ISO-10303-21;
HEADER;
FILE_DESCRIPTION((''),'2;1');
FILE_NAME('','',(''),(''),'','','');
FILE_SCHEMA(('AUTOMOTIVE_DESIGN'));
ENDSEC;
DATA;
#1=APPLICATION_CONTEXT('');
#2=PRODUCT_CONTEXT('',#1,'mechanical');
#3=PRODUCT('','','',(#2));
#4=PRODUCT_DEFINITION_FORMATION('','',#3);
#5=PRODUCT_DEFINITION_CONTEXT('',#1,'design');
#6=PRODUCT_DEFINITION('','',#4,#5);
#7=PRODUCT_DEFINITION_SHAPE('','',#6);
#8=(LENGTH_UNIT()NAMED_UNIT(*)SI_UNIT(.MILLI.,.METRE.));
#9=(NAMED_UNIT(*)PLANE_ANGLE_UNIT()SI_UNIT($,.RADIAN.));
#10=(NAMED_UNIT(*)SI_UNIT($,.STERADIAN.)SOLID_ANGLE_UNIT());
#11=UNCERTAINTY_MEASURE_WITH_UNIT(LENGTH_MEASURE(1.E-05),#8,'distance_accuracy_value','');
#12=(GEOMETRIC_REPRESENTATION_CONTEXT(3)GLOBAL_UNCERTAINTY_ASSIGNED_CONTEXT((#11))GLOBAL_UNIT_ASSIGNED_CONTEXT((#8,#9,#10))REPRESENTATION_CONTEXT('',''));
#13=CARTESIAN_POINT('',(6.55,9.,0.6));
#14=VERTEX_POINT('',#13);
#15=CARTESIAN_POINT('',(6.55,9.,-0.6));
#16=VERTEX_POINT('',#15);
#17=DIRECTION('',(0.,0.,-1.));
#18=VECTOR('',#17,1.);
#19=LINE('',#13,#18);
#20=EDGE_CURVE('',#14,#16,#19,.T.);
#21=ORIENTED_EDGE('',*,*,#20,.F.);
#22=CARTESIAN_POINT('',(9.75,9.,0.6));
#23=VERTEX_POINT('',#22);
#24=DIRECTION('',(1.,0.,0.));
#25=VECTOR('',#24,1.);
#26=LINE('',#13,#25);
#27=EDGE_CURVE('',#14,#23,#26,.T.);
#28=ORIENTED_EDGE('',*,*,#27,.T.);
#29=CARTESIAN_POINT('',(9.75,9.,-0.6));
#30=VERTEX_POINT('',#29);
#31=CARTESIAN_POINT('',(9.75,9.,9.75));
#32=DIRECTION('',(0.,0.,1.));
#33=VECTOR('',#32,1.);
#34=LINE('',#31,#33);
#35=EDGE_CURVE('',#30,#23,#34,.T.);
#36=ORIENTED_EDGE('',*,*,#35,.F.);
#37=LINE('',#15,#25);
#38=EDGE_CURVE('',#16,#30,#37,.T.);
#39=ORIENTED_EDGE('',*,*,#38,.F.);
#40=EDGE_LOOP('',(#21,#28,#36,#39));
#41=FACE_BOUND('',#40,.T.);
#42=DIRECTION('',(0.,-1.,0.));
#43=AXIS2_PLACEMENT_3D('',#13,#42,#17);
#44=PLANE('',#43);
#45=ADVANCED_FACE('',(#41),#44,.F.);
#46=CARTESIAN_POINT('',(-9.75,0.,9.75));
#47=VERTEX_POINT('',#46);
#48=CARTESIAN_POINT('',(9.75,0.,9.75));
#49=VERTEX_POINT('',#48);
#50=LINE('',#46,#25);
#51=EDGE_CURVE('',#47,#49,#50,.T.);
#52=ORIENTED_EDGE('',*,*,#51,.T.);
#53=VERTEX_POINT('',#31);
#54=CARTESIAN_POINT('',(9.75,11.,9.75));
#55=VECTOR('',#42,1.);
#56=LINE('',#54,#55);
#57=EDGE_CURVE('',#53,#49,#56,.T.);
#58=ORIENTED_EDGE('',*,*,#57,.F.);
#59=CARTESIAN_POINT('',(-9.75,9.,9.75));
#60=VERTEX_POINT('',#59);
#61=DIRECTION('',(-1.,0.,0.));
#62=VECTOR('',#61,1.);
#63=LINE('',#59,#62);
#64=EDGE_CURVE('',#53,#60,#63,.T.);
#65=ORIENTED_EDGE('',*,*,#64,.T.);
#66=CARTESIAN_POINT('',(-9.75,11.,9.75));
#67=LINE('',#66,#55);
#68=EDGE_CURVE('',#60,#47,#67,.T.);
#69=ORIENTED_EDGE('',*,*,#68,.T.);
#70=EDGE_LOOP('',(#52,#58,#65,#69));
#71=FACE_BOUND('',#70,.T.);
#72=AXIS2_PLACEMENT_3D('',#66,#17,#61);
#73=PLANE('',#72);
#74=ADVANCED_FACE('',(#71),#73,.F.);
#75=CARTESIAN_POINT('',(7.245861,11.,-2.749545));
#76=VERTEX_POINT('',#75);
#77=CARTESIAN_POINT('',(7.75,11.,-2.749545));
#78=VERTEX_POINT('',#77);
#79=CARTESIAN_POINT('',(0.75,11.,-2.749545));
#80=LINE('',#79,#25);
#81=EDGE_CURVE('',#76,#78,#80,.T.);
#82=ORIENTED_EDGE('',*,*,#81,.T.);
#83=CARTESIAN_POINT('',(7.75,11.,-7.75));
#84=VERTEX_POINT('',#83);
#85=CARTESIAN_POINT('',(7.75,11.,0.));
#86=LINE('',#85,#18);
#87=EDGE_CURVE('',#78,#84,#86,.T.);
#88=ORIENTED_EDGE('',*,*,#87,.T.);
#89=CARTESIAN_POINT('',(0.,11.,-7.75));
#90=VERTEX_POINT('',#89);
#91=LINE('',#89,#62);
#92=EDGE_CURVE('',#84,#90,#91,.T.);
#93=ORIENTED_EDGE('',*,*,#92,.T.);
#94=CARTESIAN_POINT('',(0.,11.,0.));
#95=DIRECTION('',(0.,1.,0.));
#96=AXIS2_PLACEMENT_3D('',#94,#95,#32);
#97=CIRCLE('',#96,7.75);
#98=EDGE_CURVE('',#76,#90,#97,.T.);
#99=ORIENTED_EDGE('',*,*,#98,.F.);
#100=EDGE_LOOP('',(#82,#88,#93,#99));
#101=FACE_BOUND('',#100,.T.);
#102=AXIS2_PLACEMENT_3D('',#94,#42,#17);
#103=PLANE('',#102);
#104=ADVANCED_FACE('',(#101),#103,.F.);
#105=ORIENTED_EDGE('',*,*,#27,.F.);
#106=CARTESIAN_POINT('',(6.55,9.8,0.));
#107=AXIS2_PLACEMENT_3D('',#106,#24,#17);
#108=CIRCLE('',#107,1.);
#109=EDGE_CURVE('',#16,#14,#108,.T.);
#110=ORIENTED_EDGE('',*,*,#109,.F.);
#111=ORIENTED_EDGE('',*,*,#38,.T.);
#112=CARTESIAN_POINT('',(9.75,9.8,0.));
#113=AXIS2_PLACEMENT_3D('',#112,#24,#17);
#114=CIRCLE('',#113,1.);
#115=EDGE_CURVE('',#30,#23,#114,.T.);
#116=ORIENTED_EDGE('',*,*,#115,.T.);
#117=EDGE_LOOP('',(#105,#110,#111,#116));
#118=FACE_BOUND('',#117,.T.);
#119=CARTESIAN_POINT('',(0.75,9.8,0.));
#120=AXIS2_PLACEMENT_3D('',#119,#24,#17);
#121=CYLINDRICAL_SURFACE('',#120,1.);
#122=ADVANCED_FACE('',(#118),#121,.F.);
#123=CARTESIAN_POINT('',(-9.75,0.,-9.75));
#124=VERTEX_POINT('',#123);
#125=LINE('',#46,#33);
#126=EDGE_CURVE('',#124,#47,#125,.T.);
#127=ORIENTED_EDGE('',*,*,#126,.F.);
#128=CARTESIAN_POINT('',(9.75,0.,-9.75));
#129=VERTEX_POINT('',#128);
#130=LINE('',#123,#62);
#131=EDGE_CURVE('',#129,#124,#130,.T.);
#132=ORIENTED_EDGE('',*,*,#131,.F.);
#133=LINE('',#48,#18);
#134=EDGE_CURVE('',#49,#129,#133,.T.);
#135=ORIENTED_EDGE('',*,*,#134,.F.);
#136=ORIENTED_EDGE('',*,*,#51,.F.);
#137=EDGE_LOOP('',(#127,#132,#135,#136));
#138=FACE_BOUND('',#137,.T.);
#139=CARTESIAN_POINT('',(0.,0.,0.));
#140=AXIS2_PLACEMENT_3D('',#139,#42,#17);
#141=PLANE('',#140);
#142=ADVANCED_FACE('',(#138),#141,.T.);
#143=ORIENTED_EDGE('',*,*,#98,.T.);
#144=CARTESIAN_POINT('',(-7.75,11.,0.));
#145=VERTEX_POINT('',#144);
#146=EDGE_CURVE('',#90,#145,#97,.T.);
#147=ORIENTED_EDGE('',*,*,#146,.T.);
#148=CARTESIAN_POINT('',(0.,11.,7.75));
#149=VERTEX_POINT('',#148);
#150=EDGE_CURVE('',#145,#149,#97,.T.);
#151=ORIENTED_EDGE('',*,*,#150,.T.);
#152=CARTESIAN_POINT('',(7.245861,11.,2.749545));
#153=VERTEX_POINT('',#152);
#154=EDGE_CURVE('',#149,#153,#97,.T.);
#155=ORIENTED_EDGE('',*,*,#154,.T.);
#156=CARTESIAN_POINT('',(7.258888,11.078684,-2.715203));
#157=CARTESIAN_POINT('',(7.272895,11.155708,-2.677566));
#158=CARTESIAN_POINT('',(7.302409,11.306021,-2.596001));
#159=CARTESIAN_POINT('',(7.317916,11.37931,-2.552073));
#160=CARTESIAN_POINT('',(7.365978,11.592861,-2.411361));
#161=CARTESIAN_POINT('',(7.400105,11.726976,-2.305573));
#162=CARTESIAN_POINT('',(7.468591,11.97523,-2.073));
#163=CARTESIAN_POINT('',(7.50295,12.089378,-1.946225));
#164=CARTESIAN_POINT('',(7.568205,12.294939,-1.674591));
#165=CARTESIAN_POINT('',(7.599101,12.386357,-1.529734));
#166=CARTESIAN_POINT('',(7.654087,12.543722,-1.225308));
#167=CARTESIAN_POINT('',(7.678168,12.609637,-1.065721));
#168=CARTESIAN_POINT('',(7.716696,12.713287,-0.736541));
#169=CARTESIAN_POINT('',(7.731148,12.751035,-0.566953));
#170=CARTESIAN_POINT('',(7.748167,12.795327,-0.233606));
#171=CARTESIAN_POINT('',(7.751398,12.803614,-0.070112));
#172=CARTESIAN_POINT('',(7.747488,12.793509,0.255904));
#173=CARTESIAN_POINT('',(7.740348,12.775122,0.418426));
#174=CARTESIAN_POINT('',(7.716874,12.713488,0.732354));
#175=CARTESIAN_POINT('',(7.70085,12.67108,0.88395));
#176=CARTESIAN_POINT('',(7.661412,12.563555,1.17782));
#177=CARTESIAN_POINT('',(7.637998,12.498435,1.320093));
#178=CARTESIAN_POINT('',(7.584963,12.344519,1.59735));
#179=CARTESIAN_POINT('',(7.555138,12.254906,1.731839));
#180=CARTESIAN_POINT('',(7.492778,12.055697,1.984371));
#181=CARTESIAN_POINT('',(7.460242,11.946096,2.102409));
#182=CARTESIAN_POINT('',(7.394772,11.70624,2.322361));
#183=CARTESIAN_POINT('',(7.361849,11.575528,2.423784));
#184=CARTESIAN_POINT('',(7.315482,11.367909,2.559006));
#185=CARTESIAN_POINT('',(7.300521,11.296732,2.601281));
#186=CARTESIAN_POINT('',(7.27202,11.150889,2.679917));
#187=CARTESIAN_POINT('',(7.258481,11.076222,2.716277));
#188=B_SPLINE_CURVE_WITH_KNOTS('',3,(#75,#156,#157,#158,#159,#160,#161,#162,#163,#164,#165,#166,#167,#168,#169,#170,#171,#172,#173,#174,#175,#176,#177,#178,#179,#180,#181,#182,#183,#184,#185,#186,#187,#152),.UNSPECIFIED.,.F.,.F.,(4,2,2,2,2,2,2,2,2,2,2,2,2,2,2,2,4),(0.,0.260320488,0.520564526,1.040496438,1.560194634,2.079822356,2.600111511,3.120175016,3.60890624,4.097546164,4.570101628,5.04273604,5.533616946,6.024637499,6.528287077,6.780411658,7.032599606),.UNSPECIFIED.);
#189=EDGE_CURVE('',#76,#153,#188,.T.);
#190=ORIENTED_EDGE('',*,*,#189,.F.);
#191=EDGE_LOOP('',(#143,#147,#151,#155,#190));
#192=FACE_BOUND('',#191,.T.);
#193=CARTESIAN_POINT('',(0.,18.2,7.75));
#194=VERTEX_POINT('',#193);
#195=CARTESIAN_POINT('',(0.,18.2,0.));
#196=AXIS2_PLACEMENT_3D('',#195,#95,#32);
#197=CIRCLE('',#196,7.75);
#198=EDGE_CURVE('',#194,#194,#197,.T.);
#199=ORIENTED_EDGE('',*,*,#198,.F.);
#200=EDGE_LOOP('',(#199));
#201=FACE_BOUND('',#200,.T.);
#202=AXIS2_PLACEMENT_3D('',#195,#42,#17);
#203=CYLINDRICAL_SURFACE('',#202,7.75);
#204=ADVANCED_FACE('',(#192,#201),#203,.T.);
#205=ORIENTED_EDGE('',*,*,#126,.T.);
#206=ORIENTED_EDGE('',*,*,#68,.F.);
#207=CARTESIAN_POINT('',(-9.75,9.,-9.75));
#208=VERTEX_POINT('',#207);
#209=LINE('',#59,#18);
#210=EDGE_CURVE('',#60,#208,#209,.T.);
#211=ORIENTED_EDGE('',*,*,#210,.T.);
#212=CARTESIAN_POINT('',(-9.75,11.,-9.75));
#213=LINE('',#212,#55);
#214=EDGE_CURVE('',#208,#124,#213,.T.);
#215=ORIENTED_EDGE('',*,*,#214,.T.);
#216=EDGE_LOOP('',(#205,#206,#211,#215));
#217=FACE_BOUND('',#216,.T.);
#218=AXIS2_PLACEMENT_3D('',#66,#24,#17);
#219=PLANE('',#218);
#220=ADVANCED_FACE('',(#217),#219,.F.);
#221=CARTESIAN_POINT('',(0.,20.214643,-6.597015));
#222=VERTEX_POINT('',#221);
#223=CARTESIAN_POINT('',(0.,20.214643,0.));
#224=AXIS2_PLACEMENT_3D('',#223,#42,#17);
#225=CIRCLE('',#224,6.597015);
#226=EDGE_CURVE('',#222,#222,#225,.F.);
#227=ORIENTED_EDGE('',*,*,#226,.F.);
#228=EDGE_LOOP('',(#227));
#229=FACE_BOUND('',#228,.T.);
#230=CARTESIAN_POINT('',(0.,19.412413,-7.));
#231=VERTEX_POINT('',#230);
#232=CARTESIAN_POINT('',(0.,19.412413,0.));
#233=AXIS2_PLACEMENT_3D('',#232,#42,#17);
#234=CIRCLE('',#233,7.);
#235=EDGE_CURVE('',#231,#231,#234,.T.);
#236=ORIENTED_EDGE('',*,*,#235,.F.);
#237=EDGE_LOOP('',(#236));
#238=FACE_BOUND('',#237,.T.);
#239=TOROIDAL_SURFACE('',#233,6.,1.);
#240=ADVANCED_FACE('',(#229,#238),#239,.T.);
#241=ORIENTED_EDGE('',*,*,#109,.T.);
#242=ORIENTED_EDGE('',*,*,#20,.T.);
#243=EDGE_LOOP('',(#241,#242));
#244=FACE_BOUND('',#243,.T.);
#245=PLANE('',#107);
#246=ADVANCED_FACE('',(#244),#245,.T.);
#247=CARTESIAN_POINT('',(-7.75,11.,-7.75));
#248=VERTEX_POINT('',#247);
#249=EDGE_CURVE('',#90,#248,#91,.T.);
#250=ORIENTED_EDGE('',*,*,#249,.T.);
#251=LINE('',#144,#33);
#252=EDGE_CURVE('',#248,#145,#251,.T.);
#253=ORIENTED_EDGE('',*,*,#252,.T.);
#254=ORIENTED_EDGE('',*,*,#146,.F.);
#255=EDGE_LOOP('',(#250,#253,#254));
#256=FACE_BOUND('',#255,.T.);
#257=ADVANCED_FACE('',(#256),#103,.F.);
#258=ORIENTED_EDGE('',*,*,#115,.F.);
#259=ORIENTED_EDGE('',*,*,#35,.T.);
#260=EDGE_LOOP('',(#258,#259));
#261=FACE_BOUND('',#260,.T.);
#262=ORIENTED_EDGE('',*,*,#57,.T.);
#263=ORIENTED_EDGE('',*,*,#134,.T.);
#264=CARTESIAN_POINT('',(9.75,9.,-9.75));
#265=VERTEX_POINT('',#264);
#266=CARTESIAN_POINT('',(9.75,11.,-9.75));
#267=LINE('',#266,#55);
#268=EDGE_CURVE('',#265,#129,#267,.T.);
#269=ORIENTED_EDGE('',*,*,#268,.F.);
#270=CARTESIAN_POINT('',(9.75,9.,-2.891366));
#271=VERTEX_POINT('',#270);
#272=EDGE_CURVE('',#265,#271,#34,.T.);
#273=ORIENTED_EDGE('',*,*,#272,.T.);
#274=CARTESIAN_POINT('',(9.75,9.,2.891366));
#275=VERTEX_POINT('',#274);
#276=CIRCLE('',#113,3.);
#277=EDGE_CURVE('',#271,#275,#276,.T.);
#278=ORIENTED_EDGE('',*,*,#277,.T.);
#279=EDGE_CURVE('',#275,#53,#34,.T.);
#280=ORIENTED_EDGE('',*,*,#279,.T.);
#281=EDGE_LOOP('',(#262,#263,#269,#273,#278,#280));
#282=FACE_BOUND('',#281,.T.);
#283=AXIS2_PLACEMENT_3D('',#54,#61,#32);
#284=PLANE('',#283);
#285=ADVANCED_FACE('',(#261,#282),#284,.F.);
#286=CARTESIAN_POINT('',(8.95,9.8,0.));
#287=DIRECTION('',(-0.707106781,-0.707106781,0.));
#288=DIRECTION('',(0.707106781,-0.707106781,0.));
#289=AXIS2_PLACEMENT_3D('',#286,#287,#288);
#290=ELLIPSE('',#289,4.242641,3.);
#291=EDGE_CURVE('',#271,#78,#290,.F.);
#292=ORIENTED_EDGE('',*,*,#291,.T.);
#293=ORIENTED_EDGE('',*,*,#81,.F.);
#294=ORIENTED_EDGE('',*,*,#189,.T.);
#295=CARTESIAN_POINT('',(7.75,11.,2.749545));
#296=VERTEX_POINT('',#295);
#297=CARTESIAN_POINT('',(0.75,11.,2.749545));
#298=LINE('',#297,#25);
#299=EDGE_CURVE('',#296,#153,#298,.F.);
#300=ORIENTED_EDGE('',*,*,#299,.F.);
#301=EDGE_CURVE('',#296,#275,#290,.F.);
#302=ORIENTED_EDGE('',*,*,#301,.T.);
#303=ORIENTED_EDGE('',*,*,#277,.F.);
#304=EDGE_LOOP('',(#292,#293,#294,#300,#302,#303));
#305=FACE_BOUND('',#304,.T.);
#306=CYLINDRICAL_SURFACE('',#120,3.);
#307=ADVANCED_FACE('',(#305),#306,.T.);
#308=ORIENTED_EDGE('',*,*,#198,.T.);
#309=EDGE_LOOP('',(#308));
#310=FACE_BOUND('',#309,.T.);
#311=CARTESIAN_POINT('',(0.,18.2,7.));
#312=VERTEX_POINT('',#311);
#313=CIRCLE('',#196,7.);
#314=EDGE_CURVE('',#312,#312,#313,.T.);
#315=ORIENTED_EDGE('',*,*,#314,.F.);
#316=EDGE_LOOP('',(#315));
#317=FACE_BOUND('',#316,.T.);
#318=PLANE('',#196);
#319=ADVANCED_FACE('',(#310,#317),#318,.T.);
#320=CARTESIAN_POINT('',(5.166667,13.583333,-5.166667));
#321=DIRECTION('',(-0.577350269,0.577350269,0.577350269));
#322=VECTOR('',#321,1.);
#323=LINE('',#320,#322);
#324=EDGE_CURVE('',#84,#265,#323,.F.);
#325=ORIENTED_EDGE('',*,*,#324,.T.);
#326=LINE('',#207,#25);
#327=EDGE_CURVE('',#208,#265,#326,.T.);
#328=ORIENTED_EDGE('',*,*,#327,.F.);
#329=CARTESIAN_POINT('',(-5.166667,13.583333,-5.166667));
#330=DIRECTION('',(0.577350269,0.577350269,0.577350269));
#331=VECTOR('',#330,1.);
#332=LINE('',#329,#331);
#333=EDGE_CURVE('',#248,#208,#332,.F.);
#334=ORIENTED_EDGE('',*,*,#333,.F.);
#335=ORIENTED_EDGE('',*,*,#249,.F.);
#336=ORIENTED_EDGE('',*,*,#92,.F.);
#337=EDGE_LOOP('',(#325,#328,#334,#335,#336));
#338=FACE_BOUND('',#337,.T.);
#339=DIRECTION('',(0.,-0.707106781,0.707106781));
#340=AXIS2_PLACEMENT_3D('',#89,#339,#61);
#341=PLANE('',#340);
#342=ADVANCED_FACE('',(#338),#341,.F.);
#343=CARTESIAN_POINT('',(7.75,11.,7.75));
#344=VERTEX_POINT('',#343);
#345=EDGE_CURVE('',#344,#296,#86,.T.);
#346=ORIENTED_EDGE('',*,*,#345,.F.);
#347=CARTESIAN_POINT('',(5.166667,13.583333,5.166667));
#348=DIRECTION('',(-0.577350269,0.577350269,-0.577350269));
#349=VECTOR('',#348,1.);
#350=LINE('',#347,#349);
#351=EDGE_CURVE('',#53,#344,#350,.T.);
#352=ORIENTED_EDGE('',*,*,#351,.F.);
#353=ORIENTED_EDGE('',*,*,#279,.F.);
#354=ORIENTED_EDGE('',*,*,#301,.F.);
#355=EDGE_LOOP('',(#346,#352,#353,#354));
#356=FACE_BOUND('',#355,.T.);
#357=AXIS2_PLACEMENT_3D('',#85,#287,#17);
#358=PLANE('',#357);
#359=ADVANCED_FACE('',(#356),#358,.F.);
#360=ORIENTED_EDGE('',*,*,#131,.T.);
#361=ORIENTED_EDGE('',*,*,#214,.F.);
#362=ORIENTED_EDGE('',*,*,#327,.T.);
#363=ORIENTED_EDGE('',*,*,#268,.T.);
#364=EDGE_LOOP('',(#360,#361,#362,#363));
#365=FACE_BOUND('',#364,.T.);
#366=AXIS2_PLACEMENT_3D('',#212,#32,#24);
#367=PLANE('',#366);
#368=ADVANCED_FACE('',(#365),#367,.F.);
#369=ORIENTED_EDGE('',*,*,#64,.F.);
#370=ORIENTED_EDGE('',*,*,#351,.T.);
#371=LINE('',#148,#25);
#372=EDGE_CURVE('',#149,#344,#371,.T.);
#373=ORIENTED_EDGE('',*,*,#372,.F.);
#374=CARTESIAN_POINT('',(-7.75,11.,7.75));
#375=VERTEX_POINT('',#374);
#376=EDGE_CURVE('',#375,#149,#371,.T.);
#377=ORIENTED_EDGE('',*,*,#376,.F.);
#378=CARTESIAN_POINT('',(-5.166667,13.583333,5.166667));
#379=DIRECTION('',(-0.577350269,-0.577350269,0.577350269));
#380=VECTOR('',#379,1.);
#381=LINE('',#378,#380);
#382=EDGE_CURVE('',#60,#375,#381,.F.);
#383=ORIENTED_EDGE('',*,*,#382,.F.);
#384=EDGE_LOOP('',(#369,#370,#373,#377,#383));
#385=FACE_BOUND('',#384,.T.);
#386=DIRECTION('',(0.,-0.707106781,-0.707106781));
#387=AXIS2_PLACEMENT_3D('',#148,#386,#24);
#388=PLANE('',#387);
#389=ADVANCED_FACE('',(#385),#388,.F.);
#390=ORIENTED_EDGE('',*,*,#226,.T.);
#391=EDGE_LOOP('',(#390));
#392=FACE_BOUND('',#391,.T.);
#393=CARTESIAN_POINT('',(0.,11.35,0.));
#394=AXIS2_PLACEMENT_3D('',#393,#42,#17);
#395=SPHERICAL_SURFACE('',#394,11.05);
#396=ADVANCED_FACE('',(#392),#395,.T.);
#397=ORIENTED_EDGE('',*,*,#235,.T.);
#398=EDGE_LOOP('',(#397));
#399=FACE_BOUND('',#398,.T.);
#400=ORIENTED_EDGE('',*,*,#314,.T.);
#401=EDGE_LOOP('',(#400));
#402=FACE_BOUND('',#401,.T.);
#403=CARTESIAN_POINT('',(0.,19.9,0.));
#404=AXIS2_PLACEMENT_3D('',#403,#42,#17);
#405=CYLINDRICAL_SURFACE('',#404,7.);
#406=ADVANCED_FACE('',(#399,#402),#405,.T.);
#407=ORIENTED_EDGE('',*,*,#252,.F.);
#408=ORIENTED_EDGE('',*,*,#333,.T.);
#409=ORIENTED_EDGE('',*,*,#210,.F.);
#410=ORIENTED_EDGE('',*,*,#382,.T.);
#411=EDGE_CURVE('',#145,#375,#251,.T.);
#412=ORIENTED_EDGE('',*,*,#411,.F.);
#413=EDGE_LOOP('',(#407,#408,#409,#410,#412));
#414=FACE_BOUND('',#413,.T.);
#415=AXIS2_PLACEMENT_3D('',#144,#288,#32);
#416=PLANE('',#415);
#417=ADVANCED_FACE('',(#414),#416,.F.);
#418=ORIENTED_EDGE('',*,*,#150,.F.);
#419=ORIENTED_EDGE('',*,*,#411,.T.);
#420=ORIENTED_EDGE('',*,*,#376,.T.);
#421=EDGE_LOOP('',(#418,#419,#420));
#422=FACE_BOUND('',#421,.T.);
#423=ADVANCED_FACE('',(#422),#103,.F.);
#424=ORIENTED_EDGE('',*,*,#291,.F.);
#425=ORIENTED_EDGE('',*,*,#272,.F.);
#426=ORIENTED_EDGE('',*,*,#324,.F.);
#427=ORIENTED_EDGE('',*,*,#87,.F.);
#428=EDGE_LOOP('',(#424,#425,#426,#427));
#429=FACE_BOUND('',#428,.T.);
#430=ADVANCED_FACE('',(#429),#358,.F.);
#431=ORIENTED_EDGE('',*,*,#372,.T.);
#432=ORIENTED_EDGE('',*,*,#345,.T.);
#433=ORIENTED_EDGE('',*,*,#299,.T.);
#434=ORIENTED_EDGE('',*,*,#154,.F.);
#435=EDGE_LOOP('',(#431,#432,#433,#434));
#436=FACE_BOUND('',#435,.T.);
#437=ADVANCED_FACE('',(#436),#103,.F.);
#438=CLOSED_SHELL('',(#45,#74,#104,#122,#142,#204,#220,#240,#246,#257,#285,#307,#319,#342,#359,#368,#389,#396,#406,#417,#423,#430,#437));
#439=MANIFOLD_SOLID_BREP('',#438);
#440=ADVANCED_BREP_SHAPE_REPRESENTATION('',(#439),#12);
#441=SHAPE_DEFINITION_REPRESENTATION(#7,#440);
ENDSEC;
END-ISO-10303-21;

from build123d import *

# Parameters (mm, degrees)
CROQUIS1_W              = 19.5
CROQUIS1_H              = 19.5
SALIENTE_EXTRUIR1_DEPTH = 11
CHAFL_N1_SIZE           = 2
SALIENTE_EXTRUIR2_DEPTH = 9
CROQUIS3_R              = 7.75
SALIENTE_EXTRUIR3_DEPTH = 7.2
CORTAR_EXTRUIR1_DEPTH   = 3.2
CROQUIS5_R              = 7
SALIENTE_EXTRUIR4_DEPTH = 1.7
C_PULA1_FACE_RADIUS     = 7
C_PULA1_HEIGHT          = 2.5
REDONDEO1_R             = 1


with BuildPart() as part:
    # Croquis1 → Saliente-Extruir1 (new body)
    with BuildSketch(Plane(origin=(0, 0, 0), x_dir=(1, 0, 0), z_dir=(0, 1, 0))):
        Rectangle(CROQUIS1_W, CROQUIS1_H)
    extrude(amount=SALIENTE_EXTRUIR1_DEPTH)

    # Chaflán1
    chafl_n1_edges = [part.edges().sort_by_distance(p)[0] for p in [
        (-9.75, 11, 0),
        (0, 11, 9.75),
        (9.75, 11, 0),
        (0, 11, -9.75),
    ]]
    chamfer(chafl_n1_edges, length=CHAFL_N1_SIZE)

    # Croquis2 → Saliente-Extruir2 (add)
    with BuildSketch(Plane(origin=(9.75, 0, 0), x_dir=(0, 0, -1), z_dir=(1, 0, 0))):
        with BuildLine():
            ThreePointArc((-0.6, 9), (-0.447213595, 10.694427191), (1, 9.8))
            ThreePointArc((1, 9.8), (0.894427191, 9.352786405), (0.6, 9))
            Line((0.6, 9), (2.891366459, 9))
            ThreePointArc((2.891366459, 9), (2.972717559, 9.396328956), (3, 9.8))
            ThreePointArc((3, 9.8), (-0.403671044, 12.772717559), (-2.891366459, 9))
            Line((-2.891366459, 9), (-0.6, 9))
        make_face()
        with BuildLine():
            ThreePointArc((0.6, 9), (0, 8.8), (-0.6, 9))
            Line((-0.6, 9), (-2.891366459, 9))
            ThreePointArc((-2.891366459, 9), (0, 6.8), (2.891366459, 9))
            Line((2.891366459, 9), (0.6, 9))
        make_face()
    extrude(amount=-SALIENTE_EXTRUIR2_DEPTH)

    # Croquis3 → Saliente-Extruir3 (add)
    with BuildSketch(Plane(origin=(0, 11, 0), x_dir=(1, 0, 0), z_dir=(0, 1, 0))):
        with Locations(Location((0, 0, 0), (0, 0, 270))):
            Circle(CROQUIS3_R)
    extrude(amount=SALIENTE_EXTRUIR3_DEPTH)

    # Croquis4 → Cortar-Extruir1 (cut)
    with BuildSketch(Plane(origin=(9.75, 0, 0), x_dir=(0, 0, -1), z_dir=(1, 0, 0))):
        with BuildLine():
            Line((-0.6, 9), (0.6, 9))
            ThreePointArc((0.6, 9), (0, 10.8), (-0.6, 9))
        make_face()
    extrude(amount=-CORTAR_EXTRUIR1_DEPTH, mode=Mode.SUBTRACT)

    # Croquis5 → Saliente-Extruir4 (add)
    with BuildSketch(Plane(origin=(0, 18.2, 0), x_dir=(1, 0, 0), z_dir=(0, 1, 0))):
        with Locations(Location((0, 0, 0), (0, 0, 270))):
            Circle(CROQUIS5_R)
    extrude(amount=SALIENTE_EXTRUIR4_DEPTH)

    # Cúpula1: a dome of height H over a round flat face of radius A is a cap of a sphere of radius (A * A + H * H) / (2 * H)
    c_pula1_r = (C_PULA1_FACE_RADIUS * C_PULA1_FACE_RADIUS + C_PULA1_HEIGHT * C_PULA1_HEIGHT) / (2 * C_PULA1_HEIGHT)
    c_pula1_base = Plane((0, 19.9, 0), z_dir=(0, 1, 0))
    with Locations(c_pula1_base.offset(C_PULA1_HEIGHT - c_pula1_r)):
        c_pula1_ball = Sphere(c_pula1_r, mode=Mode.PRIVATE)
    add(split(c_pula1_ball, bisect_by=c_pula1_base, keep=Keep.TOP, mode=Mode.PRIVATE))

    # Redondeo1
    redondeo1_edges = [part.edges().sort_by_distance(p)[0] for p in [
        (0, 19.9, -7),
    ]]
    fillet(redondeo1_edges, radius=REDONDEO1_R)


solid = part.part
